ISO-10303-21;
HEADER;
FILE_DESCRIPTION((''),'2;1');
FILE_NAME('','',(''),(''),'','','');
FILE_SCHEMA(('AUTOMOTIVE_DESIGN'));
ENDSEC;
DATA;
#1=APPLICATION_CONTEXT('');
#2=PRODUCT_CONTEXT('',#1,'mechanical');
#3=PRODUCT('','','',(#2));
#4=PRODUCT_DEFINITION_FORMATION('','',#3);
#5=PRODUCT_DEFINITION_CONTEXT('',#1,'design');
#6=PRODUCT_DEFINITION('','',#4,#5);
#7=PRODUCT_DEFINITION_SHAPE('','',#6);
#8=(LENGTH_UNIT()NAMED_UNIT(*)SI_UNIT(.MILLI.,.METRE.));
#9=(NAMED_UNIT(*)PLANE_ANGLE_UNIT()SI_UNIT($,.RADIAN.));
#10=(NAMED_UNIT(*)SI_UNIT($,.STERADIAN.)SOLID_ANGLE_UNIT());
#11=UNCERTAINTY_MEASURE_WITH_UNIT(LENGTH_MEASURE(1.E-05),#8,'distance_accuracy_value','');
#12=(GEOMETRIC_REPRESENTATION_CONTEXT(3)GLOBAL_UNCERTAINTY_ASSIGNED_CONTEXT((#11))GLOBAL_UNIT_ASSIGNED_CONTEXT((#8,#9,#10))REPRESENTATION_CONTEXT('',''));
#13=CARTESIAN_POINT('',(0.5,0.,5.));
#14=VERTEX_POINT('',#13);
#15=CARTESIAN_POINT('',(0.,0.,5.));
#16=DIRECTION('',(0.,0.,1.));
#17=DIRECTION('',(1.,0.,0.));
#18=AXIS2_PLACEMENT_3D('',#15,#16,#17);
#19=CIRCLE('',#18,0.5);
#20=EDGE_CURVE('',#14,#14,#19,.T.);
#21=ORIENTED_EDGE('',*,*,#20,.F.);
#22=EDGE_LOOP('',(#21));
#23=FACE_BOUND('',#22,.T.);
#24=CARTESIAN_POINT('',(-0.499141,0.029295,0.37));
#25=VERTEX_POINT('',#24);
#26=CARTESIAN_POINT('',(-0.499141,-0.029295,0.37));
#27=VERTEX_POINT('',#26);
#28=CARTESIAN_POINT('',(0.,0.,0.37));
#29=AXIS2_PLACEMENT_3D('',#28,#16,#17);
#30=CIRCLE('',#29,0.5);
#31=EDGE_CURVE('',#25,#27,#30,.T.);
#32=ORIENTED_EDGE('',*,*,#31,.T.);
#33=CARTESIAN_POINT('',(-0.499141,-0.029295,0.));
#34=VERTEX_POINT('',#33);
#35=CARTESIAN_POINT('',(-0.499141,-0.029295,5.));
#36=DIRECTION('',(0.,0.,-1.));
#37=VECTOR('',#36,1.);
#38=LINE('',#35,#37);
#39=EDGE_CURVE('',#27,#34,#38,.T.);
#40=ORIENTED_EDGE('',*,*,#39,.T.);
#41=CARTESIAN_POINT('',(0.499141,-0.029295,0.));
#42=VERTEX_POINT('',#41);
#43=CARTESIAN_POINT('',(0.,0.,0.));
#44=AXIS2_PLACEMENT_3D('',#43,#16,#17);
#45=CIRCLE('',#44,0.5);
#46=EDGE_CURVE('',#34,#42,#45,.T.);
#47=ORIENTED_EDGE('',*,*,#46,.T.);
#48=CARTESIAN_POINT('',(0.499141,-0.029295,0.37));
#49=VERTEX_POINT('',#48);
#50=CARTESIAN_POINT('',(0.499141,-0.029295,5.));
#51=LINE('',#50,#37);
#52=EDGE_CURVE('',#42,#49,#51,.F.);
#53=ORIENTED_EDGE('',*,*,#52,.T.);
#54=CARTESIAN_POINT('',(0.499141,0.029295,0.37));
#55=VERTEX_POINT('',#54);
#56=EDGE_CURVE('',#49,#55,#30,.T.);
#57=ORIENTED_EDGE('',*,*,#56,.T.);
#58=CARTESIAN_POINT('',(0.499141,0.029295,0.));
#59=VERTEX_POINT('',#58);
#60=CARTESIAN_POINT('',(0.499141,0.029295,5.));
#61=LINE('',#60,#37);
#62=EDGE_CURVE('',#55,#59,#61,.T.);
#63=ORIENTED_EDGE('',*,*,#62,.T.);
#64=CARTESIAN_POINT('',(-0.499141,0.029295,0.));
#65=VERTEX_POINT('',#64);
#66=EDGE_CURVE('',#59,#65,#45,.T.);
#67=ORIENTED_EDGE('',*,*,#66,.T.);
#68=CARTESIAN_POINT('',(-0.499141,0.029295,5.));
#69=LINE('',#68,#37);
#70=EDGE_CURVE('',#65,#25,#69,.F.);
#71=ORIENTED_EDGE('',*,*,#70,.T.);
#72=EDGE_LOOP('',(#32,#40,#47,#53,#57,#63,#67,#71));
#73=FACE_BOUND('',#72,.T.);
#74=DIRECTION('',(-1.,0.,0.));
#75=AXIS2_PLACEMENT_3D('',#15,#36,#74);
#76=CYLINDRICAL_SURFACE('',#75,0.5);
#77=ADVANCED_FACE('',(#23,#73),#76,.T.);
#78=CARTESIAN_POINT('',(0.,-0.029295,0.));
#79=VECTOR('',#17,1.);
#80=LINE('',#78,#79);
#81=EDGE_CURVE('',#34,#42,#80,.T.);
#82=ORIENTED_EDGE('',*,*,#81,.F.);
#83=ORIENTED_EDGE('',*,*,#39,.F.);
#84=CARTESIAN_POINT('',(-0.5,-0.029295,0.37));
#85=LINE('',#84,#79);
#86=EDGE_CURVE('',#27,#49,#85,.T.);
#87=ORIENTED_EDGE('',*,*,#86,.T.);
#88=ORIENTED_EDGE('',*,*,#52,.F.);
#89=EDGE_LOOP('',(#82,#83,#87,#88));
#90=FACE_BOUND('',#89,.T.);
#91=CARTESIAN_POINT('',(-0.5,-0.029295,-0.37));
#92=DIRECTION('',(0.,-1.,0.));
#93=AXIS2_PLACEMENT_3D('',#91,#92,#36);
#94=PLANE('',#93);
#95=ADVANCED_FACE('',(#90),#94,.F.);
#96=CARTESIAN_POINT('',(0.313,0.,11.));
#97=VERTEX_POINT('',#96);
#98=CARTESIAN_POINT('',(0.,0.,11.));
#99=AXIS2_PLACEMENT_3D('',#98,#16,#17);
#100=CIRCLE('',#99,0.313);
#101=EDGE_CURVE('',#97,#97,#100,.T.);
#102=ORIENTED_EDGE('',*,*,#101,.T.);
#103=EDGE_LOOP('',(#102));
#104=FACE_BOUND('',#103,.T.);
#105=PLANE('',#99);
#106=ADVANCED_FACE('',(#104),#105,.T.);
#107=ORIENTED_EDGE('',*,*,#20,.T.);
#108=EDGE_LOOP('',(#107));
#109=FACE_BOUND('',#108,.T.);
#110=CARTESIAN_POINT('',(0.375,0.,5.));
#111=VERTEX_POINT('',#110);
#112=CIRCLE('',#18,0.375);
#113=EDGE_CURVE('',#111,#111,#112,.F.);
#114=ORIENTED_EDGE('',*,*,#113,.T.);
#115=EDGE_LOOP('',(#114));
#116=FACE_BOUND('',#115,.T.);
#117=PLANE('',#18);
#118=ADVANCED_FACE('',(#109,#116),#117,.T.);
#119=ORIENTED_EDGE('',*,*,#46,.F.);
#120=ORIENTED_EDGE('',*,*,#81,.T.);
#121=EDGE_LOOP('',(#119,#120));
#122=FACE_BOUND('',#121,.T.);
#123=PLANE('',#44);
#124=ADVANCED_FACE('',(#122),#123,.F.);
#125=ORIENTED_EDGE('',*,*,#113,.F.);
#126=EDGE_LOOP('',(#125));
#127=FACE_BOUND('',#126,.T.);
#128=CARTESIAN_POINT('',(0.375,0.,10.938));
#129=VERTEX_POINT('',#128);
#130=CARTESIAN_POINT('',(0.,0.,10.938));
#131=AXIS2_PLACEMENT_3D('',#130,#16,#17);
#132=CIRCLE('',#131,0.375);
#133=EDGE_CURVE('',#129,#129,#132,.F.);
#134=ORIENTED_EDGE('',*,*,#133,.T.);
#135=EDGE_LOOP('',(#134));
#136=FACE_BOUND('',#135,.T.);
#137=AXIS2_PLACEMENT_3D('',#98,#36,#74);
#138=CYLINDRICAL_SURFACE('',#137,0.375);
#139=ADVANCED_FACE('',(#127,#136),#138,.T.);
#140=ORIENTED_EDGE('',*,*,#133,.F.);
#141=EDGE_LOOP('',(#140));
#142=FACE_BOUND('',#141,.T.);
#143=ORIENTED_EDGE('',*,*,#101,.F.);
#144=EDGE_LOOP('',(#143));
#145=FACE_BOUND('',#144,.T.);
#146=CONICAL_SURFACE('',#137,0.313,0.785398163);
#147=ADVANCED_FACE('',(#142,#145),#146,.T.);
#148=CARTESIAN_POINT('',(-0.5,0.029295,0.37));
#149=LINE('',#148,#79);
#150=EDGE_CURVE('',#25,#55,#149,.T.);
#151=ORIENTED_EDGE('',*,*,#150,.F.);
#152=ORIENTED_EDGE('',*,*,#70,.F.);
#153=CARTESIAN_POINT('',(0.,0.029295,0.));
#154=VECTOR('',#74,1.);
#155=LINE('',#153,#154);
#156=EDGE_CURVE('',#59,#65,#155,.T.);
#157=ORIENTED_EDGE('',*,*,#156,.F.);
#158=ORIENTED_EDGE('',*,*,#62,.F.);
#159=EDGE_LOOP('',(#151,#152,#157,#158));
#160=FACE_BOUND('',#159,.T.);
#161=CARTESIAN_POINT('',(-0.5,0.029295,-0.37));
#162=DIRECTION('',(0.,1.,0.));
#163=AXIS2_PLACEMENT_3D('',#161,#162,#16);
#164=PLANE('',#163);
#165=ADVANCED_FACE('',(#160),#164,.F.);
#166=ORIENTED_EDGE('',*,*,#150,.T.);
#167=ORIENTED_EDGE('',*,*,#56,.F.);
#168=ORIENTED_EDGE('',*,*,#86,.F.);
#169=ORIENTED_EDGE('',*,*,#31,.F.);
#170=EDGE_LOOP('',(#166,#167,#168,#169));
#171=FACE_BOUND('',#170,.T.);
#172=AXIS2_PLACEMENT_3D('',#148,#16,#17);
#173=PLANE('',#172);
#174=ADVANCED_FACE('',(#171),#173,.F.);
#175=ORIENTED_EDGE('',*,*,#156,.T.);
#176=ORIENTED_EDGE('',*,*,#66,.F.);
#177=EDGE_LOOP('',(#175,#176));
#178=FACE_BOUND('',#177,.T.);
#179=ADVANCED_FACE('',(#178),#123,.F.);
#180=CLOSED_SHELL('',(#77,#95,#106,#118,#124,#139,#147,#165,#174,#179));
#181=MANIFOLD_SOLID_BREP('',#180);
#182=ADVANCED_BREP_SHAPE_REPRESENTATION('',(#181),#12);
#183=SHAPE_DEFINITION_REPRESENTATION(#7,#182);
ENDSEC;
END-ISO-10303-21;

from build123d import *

# Parameters (mm, degrees)
SKETCH1_R               = 0.5
BOSS_EXTRUDE1_DEPTH     = 5
SKETCH1_3_R             = 0.375
BOSS_EXTRUDE2_DEPTH     = 11
CHAMFER1_SIZE           = 0.062
CUT_EXTRUDE1_DEPTH      = 12.022703843
CUT_EXTRUDE1_DEPTH_BACK = 12.022703843
SKETCH2_W               = 0.74
SKETCH2_H               = 0.05859


with BuildPart() as part:
    # Sketch1 → Boss-Extrude1 (new body)
    with BuildSketch(Plane.XY):
        Circle(SKETCH1_R)
    extrude(amount=BOSS_EXTRUDE1_DEPTH)

    # Sketch1<3> → Boss-Extrude2 (add)
    with BuildSketch(Plane.XY):
        Circle(SKETCH1_3_R)
    extrude(amount=BOSS_EXTRUDE2_DEPTH)

    # Chamfer1
    chamfer1_edges = [part.edges().sort_by_distance(p)[0] for p in [
        (-0.375, 0, 11),
    ]]
    chamfer(chamfer1_edges, length=CHAMFER1_SIZE)

    # Sketch2 → Cut-Extrude1 (cut, two sides: drawn at the far end of the back side and taken through both)
    with BuildSketch(Plane(origin=(0, 0, 0), x_dir=(0, 0, -1), z_dir=(1, 0, 0)).offset(-CUT_EXTRUDE1_DEPTH_BACK)):
        Rectangle(SKETCH2_W, SKETCH2_H)
    extrude(amount=CUT_EXTRUDE1_DEPTH + CUT_EXTRUDE1_DEPTH_BACK, mode=Mode.SUBTRACT)


solid = part.part
